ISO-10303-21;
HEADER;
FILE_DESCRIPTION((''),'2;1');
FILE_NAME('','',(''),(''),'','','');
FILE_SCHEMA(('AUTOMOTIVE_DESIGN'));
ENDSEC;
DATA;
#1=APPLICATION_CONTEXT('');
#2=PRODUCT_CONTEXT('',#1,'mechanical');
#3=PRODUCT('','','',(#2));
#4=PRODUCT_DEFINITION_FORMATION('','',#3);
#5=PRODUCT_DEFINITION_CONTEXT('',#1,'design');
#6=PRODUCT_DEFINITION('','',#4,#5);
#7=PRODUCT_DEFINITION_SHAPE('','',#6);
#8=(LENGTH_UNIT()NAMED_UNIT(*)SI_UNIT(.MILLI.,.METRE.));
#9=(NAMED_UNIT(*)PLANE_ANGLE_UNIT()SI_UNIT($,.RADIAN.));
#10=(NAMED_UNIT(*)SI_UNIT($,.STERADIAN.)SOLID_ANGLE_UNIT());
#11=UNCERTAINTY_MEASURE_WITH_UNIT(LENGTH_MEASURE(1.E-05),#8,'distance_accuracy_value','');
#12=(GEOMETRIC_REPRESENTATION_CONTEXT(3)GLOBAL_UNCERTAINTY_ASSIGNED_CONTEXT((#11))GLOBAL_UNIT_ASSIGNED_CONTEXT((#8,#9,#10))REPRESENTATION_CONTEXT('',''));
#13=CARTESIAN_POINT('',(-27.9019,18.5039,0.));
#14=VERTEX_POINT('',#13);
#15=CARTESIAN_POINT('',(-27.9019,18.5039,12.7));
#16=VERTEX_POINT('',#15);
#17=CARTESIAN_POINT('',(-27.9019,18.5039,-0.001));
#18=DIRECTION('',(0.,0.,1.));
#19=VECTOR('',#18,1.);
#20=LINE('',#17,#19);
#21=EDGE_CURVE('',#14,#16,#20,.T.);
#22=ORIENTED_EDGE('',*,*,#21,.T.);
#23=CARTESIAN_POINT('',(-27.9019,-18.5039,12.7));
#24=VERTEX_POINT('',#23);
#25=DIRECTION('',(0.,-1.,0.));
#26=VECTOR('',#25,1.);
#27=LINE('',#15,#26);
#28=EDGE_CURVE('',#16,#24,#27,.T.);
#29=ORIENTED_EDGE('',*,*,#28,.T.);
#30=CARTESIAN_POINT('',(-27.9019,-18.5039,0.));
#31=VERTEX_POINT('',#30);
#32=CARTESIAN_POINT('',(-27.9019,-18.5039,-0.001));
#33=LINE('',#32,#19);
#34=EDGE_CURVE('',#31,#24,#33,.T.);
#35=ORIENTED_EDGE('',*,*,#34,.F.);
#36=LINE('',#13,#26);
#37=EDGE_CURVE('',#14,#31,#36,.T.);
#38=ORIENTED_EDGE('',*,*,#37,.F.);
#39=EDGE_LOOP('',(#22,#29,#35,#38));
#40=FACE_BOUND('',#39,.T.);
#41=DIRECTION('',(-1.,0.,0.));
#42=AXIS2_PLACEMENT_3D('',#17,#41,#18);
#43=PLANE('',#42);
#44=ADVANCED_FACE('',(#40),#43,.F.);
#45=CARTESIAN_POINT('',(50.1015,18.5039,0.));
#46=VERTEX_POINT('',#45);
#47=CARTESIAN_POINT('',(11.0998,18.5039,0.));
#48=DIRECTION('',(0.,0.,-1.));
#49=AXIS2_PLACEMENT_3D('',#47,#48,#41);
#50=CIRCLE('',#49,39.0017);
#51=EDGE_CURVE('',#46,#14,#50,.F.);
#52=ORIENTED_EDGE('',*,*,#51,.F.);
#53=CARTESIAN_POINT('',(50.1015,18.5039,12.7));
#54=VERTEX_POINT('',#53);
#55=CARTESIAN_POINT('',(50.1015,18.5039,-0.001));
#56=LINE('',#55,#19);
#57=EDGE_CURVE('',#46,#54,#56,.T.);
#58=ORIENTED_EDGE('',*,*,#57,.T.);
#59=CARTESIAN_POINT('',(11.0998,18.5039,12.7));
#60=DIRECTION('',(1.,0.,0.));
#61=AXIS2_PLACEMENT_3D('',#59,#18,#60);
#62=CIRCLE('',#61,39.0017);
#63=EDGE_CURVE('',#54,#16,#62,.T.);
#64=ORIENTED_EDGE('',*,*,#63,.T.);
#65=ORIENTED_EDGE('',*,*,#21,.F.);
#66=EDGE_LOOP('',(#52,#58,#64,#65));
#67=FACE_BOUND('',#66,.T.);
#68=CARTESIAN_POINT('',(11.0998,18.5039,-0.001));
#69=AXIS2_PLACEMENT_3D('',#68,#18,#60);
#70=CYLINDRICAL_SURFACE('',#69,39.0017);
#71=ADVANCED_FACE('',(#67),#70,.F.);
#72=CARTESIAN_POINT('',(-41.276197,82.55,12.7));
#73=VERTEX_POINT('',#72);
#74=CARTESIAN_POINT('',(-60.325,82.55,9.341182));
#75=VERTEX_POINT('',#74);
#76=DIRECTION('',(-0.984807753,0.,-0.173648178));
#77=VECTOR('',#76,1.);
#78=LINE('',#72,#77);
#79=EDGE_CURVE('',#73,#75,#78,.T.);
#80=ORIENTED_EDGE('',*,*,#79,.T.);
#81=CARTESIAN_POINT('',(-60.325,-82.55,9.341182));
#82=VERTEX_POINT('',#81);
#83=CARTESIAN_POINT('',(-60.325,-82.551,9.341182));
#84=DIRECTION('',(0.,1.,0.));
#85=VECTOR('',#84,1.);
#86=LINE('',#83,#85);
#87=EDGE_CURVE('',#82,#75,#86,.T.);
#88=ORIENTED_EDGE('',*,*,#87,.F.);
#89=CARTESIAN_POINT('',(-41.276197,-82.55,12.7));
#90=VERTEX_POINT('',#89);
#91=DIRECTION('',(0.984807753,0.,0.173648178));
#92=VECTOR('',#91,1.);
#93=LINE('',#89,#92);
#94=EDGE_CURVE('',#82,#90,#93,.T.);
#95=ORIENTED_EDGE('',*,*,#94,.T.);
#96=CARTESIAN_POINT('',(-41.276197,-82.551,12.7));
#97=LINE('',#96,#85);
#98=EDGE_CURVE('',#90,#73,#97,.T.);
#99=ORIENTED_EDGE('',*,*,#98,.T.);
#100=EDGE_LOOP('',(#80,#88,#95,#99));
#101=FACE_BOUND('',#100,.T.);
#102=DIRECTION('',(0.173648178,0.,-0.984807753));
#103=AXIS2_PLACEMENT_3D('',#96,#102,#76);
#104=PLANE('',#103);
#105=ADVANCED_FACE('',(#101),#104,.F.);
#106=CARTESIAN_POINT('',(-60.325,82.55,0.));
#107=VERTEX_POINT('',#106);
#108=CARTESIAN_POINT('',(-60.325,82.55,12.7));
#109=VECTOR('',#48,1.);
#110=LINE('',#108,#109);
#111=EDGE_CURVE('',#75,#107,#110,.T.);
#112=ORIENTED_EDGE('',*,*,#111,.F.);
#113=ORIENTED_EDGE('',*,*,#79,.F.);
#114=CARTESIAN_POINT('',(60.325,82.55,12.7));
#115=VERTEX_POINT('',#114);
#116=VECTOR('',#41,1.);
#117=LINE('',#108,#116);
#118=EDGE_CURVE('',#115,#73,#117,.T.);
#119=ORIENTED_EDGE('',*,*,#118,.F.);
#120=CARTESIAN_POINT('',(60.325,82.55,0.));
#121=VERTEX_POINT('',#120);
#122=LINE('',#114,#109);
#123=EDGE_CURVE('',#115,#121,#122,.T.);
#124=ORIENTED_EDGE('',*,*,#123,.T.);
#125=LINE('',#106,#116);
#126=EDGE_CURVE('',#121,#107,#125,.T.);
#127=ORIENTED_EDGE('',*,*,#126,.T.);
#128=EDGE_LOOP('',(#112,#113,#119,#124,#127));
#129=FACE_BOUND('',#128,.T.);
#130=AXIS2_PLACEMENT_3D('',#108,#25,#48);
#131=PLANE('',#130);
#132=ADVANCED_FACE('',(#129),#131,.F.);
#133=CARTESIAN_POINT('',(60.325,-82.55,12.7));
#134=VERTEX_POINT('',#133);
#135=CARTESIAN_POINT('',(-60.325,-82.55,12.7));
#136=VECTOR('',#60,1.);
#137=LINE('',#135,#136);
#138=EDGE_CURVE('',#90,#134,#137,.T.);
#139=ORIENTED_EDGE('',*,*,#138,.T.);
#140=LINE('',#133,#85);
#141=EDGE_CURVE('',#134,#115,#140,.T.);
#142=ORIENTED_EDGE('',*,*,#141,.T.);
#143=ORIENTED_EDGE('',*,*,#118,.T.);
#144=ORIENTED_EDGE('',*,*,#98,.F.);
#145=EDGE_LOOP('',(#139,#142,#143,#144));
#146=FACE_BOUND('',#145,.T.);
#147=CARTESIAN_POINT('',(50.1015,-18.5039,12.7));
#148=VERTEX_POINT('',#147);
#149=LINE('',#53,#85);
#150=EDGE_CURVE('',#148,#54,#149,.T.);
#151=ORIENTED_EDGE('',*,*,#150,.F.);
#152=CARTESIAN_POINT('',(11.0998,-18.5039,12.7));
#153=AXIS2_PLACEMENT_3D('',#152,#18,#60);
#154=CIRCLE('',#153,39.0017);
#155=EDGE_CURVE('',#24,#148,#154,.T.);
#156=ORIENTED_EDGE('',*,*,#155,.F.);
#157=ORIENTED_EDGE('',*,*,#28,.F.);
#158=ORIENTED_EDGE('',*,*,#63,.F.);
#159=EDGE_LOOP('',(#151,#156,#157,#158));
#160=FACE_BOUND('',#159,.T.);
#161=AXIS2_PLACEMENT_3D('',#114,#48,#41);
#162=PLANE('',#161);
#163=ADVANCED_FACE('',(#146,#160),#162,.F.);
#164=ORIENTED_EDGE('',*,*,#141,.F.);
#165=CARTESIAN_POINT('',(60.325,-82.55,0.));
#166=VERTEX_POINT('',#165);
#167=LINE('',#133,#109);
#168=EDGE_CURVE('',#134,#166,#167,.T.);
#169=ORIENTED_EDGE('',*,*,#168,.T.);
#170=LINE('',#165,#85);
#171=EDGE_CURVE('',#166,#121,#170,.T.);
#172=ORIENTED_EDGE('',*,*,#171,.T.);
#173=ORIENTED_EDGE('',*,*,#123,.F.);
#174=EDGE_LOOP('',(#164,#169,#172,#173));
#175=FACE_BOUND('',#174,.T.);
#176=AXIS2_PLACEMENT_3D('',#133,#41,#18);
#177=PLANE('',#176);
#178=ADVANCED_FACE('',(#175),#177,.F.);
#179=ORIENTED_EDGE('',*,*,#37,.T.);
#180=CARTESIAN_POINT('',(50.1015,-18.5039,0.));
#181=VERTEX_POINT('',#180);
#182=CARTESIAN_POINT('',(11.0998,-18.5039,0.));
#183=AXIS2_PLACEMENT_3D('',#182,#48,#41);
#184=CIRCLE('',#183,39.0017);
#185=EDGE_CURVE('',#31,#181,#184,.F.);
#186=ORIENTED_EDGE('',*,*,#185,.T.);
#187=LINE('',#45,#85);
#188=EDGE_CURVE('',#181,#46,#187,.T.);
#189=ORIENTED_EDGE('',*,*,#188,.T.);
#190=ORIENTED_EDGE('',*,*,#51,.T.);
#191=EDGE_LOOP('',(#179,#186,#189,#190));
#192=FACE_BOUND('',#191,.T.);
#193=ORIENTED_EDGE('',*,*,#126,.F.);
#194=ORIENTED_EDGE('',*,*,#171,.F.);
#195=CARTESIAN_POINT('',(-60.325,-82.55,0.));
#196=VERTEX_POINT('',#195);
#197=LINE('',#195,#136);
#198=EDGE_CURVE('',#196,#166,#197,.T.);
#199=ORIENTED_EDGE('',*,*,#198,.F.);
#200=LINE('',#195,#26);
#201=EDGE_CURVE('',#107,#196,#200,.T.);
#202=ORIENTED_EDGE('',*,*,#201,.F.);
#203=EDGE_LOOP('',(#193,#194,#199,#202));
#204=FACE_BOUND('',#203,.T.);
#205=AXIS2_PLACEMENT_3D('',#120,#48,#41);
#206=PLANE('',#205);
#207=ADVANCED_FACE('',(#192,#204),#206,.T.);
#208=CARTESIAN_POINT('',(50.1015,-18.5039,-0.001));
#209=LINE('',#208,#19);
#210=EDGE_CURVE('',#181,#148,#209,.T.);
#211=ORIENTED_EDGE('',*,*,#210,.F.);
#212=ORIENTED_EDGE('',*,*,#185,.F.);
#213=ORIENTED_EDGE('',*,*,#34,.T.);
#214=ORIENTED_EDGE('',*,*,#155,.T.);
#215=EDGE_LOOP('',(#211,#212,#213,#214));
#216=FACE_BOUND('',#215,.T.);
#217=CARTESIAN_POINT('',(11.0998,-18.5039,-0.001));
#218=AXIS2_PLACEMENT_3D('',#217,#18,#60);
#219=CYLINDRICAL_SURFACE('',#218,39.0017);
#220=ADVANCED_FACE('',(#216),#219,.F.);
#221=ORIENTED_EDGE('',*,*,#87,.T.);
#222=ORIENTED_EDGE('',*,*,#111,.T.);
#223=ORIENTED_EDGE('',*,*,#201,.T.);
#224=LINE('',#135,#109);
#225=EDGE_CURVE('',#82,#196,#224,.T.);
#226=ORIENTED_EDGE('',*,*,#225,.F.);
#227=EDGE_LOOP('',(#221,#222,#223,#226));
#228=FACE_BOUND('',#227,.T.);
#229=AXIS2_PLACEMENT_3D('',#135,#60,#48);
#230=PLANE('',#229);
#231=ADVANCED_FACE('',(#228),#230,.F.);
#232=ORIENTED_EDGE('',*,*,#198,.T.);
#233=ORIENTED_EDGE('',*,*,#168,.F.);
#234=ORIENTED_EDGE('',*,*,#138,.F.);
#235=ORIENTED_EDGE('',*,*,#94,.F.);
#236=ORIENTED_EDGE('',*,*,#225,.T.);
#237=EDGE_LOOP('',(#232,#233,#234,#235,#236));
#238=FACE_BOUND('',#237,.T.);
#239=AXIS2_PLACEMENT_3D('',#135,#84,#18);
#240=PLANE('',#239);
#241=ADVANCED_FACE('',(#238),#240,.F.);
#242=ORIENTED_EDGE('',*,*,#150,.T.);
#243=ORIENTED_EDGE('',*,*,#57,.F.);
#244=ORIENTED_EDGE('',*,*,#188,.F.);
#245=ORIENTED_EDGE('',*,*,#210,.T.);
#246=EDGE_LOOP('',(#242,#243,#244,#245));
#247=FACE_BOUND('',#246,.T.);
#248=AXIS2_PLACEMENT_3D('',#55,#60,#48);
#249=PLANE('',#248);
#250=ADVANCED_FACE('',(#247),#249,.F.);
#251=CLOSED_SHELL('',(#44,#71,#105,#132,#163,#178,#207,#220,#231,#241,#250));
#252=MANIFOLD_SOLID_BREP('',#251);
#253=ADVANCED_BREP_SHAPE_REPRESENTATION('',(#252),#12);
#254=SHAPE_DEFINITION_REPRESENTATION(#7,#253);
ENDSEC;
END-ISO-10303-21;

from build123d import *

# Parameters (mm, degrees)
SKETCH1_W           = 120.65
SKETCH1_H           = 165.1
BOSS_EXTRUDE1_DEPTH = 12.7
CUT_EXTRUDE1_REACH  = 105.029
CUT_EXTRUDE2_REACH  = 178.234


with BuildPart() as part:
    # Sketch1 → Boss-Extrude1 (new body)
    with BuildSketch(Plane.XY):
        Rectangle(SKETCH1_W, SKETCH1_H)
    extrude(amount=BOSS_EXTRUDE1_DEPTH)

    # Sketch2 → Cut-Extrude1 (cut, up to next)
    with BuildSketch(Plane.XY.offset(12.7), mode=Mode.PRIVATE) as cut_extrude1_sk1:
        with BuildLine():
            Line((50.1015, 18.5039), (50.1015, -18.5039))
            ThreePointArc((50.1015, -18.5039), (11.0998, -57.5056), (-27.9019, -18.5039))
            Line((-27.9019, -18.5039), (-27.9019, 18.5039))
            ThreePointArc((-27.9019, 18.5039), (11.0998, 57.5056), (50.1015, 18.5039))
        make_face()
    cut_extrude1_tool1 = extrude(cut_extrude1_sk1.sketch, amount=-CUT_EXTRUDE1_REACH, mode=Mode.PRIVATE) & part.part
    add(cut_extrude1_tool1.solids().sort_by_distance((11.0998, 0, 12.7))[0], mode=Mode.SUBTRACT)

    # Sketch3 → Cut-Extrude2 (cut, up to next)
    with BuildSketch(Plane(origin=(0, 82.55, 0), x_dir=(1, 0, 0), z_dir=(0, 1, 0)), mode=Mode.PRIVATE) as cut_extrude2_sk1:
        Polygon((-41.276197421, -12.7), (-60.325, -9.341182155), (-60.325, -12.7), align=None)
    cut_extrude2_tool1 = extrude(cut_extrude2_sk1.sketch, amount=-CUT_EXTRUDE2_REACH, mode=Mode.PRIVATE) & part.part
    add(cut_extrude2_tool1.solids().sort_by_distance((-53.975399, 82.55, 11.580394))[0], mode=Mode.SUBTRACT)


solid = part.part
